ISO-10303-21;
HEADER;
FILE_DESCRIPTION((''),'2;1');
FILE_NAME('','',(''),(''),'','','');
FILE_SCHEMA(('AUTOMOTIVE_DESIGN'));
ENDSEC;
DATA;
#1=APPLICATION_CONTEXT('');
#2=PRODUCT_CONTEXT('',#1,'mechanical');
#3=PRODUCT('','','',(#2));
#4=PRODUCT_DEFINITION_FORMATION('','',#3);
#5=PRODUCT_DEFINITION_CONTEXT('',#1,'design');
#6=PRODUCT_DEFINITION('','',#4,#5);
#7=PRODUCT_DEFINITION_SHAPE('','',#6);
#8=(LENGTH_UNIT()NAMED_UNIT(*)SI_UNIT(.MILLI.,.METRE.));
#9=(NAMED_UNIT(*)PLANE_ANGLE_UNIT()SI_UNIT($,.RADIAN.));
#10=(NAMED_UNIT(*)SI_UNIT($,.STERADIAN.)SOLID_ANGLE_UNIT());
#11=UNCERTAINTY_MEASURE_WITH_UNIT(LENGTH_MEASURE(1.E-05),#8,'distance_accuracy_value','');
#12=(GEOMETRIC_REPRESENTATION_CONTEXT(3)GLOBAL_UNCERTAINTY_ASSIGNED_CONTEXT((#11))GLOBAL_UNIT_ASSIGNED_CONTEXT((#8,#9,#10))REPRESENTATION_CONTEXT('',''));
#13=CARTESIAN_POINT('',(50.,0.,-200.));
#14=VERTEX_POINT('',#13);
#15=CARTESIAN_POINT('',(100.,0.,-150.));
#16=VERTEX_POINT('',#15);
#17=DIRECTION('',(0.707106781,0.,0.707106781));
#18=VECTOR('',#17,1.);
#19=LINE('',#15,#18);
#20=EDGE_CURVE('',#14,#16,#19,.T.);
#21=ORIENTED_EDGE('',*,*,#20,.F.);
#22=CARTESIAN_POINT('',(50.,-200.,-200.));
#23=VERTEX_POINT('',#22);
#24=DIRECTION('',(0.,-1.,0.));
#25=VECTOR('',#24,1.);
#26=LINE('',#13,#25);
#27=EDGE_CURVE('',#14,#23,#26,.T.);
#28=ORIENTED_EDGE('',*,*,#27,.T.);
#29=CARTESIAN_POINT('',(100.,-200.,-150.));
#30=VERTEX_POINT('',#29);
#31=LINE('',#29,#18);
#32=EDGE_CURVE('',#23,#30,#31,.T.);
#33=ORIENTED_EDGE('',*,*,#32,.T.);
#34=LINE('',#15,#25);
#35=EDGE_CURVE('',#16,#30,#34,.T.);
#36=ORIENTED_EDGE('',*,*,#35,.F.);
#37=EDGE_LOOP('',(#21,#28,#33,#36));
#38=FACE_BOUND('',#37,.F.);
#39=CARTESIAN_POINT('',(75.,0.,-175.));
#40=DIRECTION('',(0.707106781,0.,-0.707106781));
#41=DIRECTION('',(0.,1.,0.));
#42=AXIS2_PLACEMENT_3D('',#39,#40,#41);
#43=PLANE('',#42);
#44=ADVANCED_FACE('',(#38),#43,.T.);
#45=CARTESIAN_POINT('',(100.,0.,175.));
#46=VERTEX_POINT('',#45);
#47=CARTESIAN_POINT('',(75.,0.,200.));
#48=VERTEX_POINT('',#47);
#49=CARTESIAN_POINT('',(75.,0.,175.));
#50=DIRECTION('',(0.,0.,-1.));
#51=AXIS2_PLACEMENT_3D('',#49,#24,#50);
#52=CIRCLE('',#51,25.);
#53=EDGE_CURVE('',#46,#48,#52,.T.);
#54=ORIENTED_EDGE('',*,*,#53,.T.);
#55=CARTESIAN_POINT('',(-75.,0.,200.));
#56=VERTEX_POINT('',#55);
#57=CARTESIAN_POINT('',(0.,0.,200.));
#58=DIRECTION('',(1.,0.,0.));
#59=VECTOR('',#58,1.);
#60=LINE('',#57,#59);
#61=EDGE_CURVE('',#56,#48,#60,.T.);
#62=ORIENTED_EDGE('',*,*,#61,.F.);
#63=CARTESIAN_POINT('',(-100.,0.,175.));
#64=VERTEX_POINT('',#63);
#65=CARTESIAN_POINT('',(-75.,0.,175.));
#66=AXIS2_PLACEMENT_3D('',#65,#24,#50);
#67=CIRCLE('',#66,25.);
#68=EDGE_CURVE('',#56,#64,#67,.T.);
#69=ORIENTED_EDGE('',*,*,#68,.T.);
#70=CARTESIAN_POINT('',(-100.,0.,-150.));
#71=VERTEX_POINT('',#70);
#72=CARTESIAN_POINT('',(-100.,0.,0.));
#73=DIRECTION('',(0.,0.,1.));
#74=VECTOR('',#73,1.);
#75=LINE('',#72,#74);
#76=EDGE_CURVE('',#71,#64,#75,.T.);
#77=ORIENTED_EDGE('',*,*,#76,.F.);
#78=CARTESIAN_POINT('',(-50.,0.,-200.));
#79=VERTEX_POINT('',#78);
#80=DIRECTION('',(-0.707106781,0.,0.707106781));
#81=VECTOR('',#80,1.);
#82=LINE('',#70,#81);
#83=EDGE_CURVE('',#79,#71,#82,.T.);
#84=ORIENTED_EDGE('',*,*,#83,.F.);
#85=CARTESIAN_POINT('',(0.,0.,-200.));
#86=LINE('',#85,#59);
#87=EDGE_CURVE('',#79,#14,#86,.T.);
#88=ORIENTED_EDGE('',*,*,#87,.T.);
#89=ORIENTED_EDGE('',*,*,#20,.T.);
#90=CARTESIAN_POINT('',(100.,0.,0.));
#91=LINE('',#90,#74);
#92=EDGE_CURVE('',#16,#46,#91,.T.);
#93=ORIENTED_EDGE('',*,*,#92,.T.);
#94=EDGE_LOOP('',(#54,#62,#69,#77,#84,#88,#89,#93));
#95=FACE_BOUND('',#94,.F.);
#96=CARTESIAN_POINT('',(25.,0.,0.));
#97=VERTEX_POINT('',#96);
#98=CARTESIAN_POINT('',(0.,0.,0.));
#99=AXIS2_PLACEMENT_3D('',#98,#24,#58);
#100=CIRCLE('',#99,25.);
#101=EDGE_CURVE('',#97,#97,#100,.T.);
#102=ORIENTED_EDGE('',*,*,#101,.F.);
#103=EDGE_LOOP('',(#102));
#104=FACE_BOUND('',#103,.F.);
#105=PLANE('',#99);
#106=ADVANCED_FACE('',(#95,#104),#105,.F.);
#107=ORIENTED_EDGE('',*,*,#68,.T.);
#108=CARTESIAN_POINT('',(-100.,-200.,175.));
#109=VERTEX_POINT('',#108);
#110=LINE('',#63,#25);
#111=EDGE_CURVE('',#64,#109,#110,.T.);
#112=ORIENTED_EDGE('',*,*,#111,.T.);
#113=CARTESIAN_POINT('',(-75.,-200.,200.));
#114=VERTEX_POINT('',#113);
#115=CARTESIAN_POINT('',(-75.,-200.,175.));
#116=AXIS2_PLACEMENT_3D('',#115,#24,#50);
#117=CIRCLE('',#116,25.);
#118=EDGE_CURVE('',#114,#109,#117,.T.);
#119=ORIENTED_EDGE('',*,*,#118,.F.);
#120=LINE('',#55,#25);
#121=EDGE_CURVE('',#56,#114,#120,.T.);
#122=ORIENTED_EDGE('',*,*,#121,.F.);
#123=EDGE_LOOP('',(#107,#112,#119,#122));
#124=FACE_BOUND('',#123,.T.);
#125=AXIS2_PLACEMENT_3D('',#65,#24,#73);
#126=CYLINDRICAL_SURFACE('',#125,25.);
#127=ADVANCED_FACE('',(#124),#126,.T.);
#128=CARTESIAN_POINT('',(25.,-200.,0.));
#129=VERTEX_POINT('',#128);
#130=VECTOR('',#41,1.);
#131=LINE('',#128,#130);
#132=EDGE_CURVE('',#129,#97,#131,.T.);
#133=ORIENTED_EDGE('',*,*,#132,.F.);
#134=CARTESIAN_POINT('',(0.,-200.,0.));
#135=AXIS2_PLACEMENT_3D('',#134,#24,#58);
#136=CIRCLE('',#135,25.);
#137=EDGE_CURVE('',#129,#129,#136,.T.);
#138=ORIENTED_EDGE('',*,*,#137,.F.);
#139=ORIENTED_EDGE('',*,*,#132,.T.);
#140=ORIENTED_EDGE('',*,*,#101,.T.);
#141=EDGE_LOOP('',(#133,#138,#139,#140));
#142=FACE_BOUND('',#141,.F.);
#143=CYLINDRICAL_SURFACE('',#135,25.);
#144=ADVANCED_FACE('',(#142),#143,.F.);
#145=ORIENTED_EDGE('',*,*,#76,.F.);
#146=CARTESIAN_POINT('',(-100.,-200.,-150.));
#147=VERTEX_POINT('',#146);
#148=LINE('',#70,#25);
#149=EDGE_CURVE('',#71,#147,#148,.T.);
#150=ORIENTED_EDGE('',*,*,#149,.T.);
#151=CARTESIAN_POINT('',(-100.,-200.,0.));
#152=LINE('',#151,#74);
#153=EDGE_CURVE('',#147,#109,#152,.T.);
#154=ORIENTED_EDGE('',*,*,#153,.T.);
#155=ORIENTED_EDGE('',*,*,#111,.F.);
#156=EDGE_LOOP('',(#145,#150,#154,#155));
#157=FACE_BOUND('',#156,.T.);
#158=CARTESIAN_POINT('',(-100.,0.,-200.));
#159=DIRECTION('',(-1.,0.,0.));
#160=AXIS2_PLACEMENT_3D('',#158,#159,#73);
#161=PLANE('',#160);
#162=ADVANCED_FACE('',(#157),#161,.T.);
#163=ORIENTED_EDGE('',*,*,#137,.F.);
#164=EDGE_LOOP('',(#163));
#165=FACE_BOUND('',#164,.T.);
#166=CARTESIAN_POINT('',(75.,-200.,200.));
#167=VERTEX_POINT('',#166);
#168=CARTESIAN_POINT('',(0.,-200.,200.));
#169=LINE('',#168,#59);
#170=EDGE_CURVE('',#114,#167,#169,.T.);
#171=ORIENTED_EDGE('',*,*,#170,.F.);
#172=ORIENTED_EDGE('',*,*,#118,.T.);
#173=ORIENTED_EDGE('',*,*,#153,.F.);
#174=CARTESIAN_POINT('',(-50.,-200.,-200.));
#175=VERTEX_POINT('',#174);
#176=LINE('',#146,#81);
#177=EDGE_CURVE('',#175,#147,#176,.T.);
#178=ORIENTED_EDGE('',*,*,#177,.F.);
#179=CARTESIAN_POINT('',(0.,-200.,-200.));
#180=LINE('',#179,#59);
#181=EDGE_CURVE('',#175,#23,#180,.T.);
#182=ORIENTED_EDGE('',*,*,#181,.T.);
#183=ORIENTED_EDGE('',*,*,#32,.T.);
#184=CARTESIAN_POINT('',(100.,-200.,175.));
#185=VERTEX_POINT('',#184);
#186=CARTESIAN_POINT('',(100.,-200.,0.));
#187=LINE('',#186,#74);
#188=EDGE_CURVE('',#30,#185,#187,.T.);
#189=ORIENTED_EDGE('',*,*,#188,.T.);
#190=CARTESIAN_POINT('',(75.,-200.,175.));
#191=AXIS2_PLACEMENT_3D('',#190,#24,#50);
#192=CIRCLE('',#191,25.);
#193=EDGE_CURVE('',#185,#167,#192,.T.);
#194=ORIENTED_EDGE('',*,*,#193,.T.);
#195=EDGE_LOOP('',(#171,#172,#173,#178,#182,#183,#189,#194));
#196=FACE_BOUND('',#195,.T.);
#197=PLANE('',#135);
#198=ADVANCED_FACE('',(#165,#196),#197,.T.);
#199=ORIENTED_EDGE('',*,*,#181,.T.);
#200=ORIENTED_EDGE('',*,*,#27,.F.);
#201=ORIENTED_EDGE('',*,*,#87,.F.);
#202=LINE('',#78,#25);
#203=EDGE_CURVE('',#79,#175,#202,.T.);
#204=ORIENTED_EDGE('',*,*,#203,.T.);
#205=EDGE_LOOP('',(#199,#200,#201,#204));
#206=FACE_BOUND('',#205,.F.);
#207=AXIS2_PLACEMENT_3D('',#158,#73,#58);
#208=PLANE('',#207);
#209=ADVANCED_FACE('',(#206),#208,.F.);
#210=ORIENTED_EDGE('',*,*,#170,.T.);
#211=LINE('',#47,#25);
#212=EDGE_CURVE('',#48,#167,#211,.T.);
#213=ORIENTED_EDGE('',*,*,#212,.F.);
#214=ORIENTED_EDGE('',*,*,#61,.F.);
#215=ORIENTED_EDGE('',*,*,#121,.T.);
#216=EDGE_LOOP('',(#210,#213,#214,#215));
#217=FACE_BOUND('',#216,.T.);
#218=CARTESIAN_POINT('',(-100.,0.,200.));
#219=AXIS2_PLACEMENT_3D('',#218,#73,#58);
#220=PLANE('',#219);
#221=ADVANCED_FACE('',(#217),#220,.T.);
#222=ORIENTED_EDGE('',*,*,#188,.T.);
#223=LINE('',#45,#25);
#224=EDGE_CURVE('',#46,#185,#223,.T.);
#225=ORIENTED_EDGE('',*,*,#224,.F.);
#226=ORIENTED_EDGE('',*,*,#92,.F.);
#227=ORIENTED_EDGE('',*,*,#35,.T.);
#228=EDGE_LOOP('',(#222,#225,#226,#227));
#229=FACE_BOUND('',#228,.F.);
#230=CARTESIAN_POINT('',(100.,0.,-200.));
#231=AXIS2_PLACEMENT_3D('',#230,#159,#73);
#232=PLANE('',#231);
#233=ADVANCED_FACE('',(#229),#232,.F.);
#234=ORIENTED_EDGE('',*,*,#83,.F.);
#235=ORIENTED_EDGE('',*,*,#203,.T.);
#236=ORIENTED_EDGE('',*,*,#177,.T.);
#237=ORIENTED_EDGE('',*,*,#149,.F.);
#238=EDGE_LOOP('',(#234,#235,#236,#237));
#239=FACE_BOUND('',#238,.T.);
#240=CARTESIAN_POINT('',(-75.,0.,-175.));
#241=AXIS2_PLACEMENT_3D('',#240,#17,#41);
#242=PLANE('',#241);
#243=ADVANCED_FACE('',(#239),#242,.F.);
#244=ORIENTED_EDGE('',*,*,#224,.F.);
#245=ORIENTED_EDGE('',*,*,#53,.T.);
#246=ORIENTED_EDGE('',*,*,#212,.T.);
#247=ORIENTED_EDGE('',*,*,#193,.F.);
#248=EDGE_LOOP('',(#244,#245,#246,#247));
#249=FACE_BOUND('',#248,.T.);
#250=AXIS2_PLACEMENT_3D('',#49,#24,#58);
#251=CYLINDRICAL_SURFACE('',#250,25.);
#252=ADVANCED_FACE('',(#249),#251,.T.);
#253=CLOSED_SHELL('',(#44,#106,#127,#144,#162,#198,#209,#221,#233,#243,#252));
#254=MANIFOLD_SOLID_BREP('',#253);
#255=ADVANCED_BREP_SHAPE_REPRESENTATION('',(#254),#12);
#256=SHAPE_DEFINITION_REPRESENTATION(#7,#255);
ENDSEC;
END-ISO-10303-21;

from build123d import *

# Parameters (mm, degrees)
F0_W     = 200
F0_H     = 400
F1_DEPTH = 200
F2_R     = 25
F3_DEPTH = 200.001
F4_SIZE  = 50
F5_SIZE  = 50
F6_R     = 25
F7_R     = 25


with BuildPart() as f1:
    # F0 (on Front) → F1 (new body)
    with BuildSketch(Plane.XZ):
        Rectangle(F0_W, F0_H)
    extrude(amount=F1_DEPTH)

    # F2 (on face) → F3 (cut, through all)
    with BuildSketch(Plane.XZ.offset(200)):
        Circle(F2_R)
    extrude(amount=-F3_DEPTH, mode=Mode.SUBTRACT)

    # F4
    f4_edges = [f1.edges().sort_by_distance(p)[0] for p in [
        (100, -100, -200),
    ]]
    chamfer(f4_edges, length=F4_SIZE)

    # F5
    f5_edges = [f1.edges().sort_by_distance(p)[0] for p in [
        (-100, -100, -200),
    ]]
    chamfer(f5_edges, length=F5_SIZE)

    # F6
    f6_edges = [f1.edges().sort_by_distance(p)[0] for p in [
        (100, -100, 200),
    ]]
    fillet(f6_edges, radius=F6_R)

    # F7
    f7_edges = [f1.edges().sort_by_distance(p)[0] for p in [
        (-100, -100, 200),
    ]]
    fillet(f7_edges, radius=F7_R)


solid = f1.part
